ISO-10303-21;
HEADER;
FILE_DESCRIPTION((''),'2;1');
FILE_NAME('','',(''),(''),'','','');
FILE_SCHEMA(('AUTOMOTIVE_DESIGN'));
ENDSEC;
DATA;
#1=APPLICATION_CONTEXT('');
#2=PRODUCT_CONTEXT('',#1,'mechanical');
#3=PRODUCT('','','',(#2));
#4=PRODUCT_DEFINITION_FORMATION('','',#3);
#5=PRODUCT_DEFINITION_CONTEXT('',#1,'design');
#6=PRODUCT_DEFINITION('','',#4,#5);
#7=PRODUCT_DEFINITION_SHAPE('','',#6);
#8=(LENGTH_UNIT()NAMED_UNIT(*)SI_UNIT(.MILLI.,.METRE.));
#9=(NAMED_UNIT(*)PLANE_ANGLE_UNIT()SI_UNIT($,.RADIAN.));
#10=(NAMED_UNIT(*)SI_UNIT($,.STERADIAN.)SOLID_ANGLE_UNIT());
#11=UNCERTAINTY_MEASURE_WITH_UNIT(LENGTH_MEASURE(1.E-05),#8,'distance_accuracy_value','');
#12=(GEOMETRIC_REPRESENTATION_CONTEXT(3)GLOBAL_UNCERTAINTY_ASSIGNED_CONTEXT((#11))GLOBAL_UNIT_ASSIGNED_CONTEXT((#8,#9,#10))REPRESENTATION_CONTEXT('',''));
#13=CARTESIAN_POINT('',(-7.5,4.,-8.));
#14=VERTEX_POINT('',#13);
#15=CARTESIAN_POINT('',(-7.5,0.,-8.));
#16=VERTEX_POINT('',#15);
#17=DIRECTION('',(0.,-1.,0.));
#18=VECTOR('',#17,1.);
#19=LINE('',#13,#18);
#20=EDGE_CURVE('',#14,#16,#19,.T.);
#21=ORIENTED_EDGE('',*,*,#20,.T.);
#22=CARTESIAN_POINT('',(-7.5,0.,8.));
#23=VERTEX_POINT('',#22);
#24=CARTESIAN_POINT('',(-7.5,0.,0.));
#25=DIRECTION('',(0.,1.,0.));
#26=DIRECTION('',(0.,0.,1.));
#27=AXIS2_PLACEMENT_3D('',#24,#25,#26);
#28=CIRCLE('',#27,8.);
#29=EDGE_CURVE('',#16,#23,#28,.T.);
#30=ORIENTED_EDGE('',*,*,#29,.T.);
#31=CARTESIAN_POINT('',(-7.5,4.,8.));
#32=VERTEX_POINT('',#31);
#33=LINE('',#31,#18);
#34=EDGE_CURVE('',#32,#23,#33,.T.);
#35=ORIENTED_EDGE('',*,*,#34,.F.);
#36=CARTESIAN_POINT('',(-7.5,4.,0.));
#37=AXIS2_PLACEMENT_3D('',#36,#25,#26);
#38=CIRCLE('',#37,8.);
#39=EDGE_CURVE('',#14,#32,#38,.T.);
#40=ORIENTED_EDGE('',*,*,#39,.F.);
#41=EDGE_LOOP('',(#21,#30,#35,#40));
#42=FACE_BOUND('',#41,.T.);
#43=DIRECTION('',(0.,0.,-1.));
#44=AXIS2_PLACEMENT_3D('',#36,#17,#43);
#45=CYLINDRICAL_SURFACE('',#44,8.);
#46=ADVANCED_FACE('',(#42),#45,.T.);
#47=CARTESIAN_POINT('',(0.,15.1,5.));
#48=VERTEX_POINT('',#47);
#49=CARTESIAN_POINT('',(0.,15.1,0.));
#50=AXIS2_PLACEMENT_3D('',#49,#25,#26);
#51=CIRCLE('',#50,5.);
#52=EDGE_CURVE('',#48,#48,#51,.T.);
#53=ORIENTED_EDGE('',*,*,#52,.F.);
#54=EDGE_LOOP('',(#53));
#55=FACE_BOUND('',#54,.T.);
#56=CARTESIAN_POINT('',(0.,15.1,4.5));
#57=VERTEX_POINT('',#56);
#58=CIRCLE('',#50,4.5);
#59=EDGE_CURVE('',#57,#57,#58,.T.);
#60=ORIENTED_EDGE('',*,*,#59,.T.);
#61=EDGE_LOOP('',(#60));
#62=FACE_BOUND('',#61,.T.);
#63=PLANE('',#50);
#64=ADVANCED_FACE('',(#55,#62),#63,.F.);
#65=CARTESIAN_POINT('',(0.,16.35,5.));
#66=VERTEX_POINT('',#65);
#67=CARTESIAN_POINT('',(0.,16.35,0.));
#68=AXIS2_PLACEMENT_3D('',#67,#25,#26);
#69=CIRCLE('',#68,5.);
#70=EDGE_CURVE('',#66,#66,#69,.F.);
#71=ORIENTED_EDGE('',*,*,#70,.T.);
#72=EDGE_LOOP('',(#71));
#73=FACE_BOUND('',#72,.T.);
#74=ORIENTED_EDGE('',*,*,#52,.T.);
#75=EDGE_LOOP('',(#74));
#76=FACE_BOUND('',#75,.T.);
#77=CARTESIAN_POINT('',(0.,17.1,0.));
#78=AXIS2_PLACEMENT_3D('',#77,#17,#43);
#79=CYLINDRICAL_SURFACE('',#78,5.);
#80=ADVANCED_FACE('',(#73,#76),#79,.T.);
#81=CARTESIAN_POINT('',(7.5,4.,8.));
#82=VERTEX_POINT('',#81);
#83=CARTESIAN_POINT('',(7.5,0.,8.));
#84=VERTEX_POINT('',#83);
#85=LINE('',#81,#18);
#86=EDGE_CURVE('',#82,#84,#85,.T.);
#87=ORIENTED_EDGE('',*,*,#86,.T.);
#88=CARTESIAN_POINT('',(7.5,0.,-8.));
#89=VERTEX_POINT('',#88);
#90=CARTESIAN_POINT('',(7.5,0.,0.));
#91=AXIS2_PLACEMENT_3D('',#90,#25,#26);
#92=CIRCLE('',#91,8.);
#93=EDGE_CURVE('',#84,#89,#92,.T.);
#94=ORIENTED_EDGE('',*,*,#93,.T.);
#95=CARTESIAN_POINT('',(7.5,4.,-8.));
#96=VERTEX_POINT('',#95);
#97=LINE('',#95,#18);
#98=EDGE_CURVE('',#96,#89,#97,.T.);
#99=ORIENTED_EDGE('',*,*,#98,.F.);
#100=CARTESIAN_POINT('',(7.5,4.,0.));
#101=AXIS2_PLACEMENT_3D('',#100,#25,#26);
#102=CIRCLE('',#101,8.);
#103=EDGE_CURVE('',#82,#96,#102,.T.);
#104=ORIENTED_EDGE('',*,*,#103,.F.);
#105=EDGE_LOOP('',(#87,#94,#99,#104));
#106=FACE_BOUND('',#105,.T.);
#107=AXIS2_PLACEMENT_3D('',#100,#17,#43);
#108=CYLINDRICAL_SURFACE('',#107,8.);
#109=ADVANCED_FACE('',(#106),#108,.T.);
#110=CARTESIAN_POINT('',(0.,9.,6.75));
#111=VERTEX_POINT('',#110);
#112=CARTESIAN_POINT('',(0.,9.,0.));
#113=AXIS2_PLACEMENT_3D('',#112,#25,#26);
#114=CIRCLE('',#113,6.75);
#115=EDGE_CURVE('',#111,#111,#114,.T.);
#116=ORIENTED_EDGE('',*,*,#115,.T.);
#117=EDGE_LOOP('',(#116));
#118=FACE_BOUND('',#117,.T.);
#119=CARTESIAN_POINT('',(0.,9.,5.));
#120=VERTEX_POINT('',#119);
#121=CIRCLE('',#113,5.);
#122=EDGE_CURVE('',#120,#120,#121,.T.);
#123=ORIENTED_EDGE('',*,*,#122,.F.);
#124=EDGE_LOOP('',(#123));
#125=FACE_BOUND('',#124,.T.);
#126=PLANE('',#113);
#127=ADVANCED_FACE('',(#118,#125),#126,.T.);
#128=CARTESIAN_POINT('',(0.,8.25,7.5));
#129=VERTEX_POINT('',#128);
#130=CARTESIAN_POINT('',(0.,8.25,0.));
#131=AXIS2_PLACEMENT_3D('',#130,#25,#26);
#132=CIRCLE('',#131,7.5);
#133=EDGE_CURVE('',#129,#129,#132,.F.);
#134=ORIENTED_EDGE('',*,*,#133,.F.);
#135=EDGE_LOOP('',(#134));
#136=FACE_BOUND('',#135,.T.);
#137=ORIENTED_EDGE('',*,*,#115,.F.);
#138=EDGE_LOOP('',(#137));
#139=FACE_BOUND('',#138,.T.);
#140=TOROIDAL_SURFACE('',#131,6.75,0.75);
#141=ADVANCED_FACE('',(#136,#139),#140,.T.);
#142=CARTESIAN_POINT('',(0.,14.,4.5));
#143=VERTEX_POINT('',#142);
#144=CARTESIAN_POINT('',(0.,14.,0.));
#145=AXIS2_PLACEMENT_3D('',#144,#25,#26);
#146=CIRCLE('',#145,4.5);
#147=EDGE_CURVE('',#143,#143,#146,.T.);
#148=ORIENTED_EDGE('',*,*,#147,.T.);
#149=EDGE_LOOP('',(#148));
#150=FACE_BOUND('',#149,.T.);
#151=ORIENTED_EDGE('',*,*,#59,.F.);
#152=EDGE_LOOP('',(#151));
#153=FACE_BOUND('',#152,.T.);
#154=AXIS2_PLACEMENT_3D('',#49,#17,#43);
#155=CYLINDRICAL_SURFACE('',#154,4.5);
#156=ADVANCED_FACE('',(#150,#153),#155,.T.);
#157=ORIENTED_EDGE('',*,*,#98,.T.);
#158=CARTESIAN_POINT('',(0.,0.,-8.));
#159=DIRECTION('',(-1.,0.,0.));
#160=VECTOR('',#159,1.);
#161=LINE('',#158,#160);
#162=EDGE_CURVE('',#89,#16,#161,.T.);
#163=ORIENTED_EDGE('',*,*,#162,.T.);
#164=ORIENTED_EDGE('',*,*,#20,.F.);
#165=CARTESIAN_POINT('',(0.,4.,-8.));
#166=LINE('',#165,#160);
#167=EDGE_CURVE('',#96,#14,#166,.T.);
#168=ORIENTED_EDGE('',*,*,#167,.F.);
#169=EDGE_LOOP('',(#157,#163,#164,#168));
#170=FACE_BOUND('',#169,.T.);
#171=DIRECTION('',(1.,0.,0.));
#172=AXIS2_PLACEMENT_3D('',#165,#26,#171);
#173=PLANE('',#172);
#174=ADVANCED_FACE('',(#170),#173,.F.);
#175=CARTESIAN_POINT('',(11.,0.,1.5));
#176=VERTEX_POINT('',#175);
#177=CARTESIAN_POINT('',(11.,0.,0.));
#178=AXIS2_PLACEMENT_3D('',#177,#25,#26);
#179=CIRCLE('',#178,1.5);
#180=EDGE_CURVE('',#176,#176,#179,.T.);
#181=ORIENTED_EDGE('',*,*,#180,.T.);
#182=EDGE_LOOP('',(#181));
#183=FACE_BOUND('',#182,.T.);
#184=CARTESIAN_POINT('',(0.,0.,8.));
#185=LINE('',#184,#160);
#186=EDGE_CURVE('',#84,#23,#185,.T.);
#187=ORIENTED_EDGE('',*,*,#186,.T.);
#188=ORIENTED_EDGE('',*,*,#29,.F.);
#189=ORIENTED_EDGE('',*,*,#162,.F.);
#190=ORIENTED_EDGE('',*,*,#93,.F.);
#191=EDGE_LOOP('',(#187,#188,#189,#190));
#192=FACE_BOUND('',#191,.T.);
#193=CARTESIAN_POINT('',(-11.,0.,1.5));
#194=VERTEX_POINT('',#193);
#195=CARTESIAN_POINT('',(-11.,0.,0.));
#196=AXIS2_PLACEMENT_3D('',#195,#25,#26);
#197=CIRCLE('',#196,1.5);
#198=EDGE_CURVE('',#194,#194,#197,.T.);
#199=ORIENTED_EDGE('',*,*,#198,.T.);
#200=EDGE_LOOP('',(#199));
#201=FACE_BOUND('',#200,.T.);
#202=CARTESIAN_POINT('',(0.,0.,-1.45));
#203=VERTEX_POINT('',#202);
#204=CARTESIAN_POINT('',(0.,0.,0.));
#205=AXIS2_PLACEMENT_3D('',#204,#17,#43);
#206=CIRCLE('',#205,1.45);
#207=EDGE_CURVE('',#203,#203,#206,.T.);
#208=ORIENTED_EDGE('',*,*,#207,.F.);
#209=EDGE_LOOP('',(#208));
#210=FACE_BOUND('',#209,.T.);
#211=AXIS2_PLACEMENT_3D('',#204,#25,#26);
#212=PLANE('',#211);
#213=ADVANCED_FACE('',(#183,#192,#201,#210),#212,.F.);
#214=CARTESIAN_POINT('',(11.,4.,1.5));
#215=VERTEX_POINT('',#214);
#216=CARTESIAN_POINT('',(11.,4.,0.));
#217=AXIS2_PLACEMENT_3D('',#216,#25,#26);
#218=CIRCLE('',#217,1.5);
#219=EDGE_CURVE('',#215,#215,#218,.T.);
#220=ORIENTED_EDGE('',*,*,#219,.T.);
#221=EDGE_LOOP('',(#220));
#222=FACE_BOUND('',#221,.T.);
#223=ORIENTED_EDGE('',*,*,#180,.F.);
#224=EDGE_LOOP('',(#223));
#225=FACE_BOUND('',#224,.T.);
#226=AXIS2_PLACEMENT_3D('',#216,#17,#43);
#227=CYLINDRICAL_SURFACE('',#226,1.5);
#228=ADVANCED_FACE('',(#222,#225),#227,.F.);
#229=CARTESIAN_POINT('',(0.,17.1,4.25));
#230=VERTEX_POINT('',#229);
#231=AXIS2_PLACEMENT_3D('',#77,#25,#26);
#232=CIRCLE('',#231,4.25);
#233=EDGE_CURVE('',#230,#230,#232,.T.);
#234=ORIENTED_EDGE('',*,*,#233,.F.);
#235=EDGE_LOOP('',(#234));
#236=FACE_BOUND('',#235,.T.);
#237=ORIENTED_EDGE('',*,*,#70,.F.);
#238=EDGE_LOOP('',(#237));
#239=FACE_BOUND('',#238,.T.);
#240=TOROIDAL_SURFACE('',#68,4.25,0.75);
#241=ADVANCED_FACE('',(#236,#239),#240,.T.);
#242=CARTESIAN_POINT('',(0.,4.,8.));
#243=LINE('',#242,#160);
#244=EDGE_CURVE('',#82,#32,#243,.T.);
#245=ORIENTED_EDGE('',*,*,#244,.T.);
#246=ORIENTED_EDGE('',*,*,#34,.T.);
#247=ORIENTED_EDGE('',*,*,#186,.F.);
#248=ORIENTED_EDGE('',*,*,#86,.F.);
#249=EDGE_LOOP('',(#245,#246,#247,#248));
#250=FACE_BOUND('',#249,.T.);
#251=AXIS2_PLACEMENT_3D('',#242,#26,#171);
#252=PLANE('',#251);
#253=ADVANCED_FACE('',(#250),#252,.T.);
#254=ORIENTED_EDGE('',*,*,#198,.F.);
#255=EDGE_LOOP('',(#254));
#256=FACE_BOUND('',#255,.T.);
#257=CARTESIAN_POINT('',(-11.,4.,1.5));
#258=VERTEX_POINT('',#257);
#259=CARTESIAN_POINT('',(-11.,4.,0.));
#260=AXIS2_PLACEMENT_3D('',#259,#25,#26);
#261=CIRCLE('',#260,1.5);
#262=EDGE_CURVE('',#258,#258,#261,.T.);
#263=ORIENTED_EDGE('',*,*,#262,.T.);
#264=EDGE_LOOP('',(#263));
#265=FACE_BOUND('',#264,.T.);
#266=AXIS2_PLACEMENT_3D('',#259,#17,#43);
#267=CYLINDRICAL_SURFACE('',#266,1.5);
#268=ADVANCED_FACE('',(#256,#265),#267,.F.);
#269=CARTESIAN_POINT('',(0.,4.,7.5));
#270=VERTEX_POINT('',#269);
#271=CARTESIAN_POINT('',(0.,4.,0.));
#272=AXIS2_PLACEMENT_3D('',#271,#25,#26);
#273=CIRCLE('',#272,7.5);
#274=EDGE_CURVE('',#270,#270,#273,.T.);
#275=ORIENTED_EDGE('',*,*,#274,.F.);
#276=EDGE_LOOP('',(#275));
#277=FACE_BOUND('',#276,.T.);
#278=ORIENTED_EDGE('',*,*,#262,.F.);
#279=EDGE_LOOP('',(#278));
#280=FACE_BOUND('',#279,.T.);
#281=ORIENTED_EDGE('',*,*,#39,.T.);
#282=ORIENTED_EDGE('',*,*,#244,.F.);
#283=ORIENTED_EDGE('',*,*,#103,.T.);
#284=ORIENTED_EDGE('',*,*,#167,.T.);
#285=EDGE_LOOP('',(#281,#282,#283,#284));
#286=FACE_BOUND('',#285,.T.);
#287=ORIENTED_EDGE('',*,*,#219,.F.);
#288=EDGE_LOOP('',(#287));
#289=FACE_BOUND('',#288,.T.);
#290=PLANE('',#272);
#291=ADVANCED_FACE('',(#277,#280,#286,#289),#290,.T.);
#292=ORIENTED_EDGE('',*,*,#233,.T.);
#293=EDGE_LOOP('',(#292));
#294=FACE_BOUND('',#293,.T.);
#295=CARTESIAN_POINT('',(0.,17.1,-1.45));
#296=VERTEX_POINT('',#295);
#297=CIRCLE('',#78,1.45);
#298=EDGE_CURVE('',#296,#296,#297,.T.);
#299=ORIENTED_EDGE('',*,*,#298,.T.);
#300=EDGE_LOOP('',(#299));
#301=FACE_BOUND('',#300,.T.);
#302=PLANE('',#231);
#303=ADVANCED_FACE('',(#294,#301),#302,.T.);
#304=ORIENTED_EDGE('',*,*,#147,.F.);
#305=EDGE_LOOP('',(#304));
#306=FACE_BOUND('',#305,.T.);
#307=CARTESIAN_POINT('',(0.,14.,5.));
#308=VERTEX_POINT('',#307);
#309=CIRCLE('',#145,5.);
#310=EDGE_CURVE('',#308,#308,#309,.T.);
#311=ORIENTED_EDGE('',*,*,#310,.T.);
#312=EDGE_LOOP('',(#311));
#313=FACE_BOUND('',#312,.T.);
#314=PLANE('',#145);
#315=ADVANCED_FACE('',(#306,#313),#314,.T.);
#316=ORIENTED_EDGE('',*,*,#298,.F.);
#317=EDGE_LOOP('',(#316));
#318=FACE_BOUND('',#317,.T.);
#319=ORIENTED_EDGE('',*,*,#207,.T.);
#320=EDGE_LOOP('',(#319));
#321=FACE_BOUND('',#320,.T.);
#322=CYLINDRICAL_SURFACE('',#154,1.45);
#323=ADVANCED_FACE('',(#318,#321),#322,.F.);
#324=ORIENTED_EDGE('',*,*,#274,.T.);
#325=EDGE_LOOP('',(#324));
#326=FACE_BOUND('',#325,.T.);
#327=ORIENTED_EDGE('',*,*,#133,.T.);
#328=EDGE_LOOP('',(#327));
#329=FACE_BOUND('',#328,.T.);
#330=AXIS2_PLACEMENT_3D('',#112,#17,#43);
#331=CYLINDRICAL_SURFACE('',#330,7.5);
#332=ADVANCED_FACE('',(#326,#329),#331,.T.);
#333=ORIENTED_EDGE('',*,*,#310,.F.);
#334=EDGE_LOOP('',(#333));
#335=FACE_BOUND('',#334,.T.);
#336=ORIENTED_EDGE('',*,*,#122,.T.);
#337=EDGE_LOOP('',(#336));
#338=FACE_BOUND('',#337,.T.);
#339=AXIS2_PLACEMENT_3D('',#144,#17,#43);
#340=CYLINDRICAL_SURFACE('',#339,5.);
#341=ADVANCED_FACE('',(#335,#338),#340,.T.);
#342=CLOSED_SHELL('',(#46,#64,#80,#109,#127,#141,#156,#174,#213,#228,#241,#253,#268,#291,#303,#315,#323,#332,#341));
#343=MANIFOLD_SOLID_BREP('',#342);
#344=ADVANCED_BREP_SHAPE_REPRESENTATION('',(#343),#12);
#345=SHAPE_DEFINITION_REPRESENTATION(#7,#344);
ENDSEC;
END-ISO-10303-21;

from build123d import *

# Parameters (mm, degrees)
SKETCH_8_R          = 1.5
SKETCH_8_W          = 15
SKETCH_8_H          = 16
EXTRUDE_4_DEPTH     = 4
SKETCH_9_R          = 7.5
EXTRUDE_5_DEPTH     = 5
SKETCH_10_R         = 5
EXTRUDE_6_DEPTH     = 5
SKETCH_12_R         = 4.5
EXTRUDE_7_DEPTH     = 1.1
SKETCH_14_R         = 1.45
CUT_EXTRUDE_1_DEPTH = 24.070760716
SKETCH_15_R         = 5
EXTRUDE_8_DEPTH     = 2
FILLET_2_R          = 0.75
SKETCH_16_R         = 1.45
CUT_EXTRUDE_2_DEPTH = 25.426624818


with BuildPart() as part:
    # 草图8 → 凸台-拉伸4 (new body)
    # profile 1 of 3: a face of its own
    with BuildSketch(Plane(origin=(0, 0, 0), x_dir=(1, 0, 0), z_dir=(0, 1, 0))):
        with BuildLine():
            Line((-7.5, 8), (-7.5, -8))
            ThreePointArc((-7.5, -8), (-15.5, 0), (-7.5, 8))
        make_face()
        with Locations(Location((-11, 0, 0), (0, 0, 270))):
            Circle(SKETCH_8_R, mode=Mode.SUBTRACT)
    # profile 2 of 3: a face of its own
    with BuildSketch(Plane(origin=(0, 0, 0), x_dir=(1, 0, 0), z_dir=(0, 1, 0))):
        Rectangle(SKETCH_8_W, SKETCH_8_H)
    # profile 3 of 3: a face of its own
    with BuildSketch(Plane(origin=(0, 0, 0), x_dir=(1, 0, 0), z_dir=(0, 1, 0))):
        with BuildLine():
            Line((7.5, 8), (7.5, -8))
            ThreePointArc((7.5, -8), (15.5, 0), (7.5, 8))
        make_face()
        with Locations(Location((11, 0, 0), (0, 0, 270))):
            Circle(SKETCH_8_R, mode=Mode.SUBTRACT)
    extrude(amount=EXTRUDE_4_DEPTH)

    # 草图9 → 凸台-拉伸5 (add)
    with BuildSketch(Plane(origin=(0, 4, 0), x_dir=(1, 0, 0), z_dir=(0, 1, 0))):
        with Locations(Location((0, 0, 0), (0, 0, 270))):
            Circle(SKETCH_9_R)
    extrude(amount=EXTRUDE_5_DEPTH)

    # 草图10 → 凸台-拉伸6 (add)
    with BuildSketch(Plane(origin=(0, 9, 0), x_dir=(1, 0, 0), z_dir=(0, 1, 0))):
        with Locations(Location((0, 0, 0), (0, 0, 270))):
            Circle(SKETCH_10_R)
    extrude(amount=EXTRUDE_6_DEPTH)

    # 草图12 → 凸台-拉伸7 (add)
    with BuildSketch(Plane(origin=(0, 14, 0), x_dir=(1, 0, 0), z_dir=(0, 1, 0))):
        with Locations(Location((0, 0, 0), (0, 0, 270))):
            Circle(SKETCH_12_R)
    extrude(amount=EXTRUDE_7_DEPTH)

    # 草图14 → 切除-拉伸1 (cut, through all)
    with BuildSketch(Plane.XZ):
        with Locations(Location((0, 0, 0), (0, 0, 270))):
            Circle(SKETCH_14_R)
    extrude(amount=-CUT_EXTRUDE_1_DEPTH, mode=Mode.SUBTRACT)

    # 草图15 → 凸台-拉伸8 (add)
    with BuildSketch(Plane(origin=(0, 15.1, 0), x_dir=(1, 0, 0), z_dir=(0, 1, 0))):
        with Locations(Location((0, 0, 0), (0, 0, 270))):
            Circle(SKETCH_15_R)
    extrude(amount=EXTRUDE_8_DEPTH)

    # 圆角2
    fillet_2_edges = [part.edges().sort_by_distance(p)[0] for p in [
        (0, 9, -7.5),
        (0, 17.1, -5),
    ]]
    fillet(fillet_2_edges, radius=FILLET_2_R)

    # 草图16 → 切除-拉伸2 (cut, through all)
    with BuildSketch(Plane(origin=(0, 0, 0), x_dir=(-1, 0, 0), z_dir=(0, -1, 0))):
        with Locations(Location((0, 0, 0), (0, 0, 90))):
            Circle(SKETCH_16_R)
    extrude(amount=-CUT_EXTRUDE_2_DEPTH, mode=Mode.SUBTRACT)


solid = part.part
